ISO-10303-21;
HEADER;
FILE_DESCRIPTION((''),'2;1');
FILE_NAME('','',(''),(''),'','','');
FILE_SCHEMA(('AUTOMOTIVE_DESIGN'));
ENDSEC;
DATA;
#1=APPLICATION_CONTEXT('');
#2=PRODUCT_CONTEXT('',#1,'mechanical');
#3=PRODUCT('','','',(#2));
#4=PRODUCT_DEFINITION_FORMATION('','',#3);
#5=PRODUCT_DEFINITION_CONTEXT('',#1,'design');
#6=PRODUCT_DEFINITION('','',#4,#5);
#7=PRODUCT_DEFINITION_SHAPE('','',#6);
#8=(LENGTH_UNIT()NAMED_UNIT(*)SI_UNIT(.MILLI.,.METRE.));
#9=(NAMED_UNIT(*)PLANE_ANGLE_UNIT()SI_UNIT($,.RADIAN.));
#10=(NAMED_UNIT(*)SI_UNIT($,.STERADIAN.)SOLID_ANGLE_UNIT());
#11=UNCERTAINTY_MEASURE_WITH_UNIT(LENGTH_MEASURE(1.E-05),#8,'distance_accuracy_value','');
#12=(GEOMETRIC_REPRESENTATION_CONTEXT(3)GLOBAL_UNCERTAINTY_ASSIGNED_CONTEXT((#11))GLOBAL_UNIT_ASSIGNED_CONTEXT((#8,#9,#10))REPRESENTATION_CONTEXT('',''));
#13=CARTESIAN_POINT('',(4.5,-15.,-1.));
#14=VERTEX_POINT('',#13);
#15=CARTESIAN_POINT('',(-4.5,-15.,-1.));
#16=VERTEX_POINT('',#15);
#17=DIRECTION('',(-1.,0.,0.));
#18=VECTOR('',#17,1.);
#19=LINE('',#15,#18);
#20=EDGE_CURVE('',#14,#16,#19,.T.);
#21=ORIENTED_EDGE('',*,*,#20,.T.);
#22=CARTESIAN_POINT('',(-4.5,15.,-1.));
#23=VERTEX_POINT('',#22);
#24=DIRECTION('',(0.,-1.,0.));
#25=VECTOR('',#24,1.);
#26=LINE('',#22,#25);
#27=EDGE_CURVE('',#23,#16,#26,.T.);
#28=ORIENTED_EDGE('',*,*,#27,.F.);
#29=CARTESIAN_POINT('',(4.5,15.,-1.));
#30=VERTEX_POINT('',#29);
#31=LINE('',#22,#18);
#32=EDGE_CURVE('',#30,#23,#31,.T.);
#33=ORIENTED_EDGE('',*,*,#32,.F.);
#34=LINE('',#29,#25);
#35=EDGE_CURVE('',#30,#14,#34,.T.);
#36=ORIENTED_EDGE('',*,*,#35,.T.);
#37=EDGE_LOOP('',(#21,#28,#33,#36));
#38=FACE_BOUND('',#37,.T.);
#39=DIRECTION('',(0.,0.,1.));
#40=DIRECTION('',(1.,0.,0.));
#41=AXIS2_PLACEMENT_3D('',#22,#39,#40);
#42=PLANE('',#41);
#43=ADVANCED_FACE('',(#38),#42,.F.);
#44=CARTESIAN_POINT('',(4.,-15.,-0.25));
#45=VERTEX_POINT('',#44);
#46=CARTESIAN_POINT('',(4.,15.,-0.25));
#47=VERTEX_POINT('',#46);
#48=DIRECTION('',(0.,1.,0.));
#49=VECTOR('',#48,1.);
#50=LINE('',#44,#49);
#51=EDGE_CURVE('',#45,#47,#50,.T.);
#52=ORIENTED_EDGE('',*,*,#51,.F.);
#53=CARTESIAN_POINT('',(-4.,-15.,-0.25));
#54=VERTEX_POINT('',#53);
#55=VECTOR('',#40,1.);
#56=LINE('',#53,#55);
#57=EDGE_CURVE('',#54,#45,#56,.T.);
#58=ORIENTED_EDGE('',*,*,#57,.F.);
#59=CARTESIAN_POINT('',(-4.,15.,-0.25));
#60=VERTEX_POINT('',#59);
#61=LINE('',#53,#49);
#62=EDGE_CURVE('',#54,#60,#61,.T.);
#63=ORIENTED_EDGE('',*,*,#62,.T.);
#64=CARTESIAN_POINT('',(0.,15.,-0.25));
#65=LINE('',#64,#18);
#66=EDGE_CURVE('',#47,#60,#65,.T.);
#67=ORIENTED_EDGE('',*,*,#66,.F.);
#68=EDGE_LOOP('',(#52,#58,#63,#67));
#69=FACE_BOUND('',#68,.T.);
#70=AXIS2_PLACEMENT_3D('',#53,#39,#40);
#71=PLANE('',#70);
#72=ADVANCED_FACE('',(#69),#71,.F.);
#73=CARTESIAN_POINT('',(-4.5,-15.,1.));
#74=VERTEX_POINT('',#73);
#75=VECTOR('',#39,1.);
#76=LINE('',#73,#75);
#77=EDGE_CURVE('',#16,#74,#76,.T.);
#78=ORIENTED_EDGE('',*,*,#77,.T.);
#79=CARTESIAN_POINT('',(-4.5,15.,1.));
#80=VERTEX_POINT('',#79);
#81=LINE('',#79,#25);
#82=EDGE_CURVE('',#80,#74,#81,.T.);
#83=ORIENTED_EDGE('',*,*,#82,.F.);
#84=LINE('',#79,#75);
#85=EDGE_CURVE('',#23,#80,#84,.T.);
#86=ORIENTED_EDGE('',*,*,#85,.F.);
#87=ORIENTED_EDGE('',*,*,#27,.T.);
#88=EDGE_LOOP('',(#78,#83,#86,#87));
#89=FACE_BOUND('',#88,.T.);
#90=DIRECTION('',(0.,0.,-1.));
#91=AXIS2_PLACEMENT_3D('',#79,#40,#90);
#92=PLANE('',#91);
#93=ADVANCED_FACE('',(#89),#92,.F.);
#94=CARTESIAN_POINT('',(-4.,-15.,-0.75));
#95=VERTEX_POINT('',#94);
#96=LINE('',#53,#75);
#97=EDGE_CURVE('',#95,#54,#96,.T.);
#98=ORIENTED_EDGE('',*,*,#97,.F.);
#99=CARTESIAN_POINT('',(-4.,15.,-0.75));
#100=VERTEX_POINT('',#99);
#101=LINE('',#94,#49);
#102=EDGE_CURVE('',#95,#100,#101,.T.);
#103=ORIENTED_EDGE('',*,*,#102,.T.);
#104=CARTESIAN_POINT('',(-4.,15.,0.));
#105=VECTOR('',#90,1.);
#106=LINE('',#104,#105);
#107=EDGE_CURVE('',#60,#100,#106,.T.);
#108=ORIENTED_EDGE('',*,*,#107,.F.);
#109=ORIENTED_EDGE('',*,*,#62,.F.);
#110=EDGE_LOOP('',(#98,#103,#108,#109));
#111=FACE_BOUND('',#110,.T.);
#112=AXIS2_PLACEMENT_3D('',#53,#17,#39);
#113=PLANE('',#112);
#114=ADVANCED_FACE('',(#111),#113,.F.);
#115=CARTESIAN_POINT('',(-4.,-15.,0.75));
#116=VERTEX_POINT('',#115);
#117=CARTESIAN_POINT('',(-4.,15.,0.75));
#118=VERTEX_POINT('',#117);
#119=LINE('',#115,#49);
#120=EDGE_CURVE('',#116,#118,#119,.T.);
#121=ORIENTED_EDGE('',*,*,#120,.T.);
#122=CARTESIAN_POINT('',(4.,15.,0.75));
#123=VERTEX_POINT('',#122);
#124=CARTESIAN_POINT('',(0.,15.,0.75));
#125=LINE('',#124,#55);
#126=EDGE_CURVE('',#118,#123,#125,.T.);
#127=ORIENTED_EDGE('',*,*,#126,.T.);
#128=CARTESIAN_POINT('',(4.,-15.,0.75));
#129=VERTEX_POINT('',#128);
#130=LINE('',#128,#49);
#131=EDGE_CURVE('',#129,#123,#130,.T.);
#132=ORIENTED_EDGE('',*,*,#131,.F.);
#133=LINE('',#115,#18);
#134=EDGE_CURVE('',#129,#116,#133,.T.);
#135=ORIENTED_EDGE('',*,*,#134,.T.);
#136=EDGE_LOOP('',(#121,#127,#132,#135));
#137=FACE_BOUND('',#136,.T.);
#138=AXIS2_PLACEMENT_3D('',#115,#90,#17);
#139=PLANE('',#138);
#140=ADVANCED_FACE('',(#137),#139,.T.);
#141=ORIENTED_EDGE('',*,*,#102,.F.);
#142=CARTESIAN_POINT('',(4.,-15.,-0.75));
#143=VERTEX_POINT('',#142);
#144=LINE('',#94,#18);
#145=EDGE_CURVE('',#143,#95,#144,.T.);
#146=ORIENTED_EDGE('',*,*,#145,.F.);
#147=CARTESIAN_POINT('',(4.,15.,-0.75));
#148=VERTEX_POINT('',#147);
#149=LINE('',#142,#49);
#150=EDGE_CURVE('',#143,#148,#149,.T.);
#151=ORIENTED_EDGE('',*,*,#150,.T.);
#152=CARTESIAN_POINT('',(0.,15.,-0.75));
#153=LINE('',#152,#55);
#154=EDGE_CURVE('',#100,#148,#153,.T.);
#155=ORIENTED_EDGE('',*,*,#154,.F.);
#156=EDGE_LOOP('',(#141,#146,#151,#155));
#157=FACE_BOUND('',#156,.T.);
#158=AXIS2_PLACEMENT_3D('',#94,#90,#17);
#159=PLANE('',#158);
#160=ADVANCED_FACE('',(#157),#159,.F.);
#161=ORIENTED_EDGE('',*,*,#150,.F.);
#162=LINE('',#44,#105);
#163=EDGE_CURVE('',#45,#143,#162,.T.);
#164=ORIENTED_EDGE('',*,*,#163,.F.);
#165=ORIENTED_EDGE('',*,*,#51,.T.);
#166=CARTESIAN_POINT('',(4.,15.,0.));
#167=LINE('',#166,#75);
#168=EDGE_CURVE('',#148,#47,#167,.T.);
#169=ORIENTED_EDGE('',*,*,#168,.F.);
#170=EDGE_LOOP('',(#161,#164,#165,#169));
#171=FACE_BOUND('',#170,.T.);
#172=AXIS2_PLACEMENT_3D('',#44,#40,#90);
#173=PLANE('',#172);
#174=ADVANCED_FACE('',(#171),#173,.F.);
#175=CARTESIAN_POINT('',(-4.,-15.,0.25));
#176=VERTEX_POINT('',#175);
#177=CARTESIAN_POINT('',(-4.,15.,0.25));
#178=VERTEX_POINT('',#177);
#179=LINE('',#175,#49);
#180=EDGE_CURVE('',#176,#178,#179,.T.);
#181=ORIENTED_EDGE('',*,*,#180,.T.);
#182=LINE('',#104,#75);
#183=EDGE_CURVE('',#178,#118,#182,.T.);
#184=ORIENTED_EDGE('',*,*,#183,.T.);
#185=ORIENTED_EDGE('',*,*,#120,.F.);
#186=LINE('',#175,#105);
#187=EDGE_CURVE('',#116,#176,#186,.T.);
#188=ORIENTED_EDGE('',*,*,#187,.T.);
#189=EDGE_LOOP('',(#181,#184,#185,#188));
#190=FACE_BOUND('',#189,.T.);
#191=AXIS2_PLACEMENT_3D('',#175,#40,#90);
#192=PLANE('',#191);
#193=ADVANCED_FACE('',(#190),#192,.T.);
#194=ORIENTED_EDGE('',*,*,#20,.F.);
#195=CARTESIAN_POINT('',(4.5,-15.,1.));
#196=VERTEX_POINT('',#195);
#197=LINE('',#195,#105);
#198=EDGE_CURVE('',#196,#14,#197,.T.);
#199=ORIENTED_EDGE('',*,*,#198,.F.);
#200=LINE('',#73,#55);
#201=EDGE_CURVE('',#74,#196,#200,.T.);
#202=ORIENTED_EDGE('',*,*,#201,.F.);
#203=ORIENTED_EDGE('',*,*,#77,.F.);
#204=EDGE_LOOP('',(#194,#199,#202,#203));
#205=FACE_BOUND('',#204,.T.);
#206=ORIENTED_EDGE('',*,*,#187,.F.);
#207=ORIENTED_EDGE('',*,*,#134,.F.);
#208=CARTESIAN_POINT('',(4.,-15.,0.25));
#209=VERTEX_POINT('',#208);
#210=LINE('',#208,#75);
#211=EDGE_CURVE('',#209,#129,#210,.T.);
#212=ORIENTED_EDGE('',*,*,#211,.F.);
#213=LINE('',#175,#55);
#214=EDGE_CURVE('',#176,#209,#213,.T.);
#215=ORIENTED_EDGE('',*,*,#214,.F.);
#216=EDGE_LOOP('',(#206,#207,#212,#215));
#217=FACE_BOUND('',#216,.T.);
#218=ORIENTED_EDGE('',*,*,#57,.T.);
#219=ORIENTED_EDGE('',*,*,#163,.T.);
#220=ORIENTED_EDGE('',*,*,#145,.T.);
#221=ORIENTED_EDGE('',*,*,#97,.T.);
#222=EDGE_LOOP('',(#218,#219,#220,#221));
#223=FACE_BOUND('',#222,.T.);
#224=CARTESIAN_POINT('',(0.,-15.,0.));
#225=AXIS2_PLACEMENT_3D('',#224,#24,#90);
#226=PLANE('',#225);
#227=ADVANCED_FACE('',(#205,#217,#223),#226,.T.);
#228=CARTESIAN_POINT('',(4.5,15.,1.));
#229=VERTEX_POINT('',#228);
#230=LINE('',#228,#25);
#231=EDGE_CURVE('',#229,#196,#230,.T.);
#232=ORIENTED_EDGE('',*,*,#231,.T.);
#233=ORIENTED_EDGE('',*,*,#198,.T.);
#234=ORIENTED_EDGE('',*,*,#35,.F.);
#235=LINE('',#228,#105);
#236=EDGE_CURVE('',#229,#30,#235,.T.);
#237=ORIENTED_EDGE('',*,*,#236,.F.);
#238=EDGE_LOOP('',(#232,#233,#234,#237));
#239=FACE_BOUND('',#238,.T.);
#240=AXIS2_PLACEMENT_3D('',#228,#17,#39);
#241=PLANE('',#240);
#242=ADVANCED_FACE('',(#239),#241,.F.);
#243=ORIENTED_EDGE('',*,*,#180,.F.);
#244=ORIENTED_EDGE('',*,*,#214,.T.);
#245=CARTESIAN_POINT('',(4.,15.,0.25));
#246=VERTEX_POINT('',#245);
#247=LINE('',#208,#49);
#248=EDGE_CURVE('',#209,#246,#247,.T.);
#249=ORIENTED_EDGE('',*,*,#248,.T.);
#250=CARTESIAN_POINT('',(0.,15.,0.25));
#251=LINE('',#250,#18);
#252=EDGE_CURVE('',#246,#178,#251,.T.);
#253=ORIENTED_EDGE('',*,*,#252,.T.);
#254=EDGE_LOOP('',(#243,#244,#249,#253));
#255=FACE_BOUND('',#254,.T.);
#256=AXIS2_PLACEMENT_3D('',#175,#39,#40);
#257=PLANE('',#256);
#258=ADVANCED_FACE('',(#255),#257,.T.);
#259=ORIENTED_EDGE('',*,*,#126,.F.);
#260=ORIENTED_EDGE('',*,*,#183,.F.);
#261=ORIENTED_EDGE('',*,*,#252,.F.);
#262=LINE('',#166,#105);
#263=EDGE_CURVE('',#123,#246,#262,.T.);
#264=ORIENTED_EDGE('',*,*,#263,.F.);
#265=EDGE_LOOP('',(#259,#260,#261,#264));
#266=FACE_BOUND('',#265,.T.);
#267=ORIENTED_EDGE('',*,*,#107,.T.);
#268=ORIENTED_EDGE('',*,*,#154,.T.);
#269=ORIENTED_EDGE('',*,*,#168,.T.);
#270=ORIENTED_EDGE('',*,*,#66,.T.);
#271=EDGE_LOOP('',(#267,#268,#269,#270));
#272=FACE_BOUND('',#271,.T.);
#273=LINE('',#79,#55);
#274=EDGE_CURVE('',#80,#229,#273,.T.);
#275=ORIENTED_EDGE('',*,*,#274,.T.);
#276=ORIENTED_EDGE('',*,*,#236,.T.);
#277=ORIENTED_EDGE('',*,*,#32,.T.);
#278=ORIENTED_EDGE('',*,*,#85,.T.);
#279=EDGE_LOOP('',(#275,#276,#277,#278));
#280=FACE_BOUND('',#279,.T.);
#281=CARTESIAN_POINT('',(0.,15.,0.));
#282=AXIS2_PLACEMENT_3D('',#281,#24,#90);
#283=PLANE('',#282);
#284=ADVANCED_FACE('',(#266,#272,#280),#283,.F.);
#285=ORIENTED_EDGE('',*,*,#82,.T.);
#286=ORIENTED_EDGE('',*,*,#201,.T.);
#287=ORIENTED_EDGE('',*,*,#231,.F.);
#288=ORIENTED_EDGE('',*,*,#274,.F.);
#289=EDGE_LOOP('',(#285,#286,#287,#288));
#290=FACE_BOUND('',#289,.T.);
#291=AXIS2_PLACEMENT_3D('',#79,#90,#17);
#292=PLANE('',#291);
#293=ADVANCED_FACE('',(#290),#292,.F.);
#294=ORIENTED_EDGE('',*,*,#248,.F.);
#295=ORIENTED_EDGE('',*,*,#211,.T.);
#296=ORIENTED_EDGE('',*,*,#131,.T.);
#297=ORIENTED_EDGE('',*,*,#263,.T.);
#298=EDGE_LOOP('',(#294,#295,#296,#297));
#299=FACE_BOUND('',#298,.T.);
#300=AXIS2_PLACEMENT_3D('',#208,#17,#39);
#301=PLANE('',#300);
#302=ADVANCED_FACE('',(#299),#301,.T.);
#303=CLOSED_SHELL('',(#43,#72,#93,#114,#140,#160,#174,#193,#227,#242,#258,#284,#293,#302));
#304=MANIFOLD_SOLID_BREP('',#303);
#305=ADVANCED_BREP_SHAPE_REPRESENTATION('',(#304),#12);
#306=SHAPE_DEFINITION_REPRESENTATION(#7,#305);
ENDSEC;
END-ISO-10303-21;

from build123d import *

# Parameters (mm, degrees)
SKETCH1_W           = 9
SKETCH1_H           = 2
BOSS_EXTRUDE1_DEPTH = 15
CUT_EXTRUDE1_START  = -31
SKETCH2_W           = 8
SKETCH2_H           = 0.5
CUT_EXTRUDE1_DEPTH  = 32


with BuildPart() as part:
    # Sketch1 → Boss-Extrude1 (new body, symmetric)
    with BuildSketch(Plane(origin=(0, 0, 0), x_dir=(1, 0, 0), z_dir=(0, 1, 0))):
        Rectangle(SKETCH1_W, SKETCH1_H)
    extrude(amount=BOSS_EXTRUDE1_DEPTH, both=True)

    # Sketch2 → Cut-Extrude1 (cut)
    with BuildSketch(Plane(origin=(0, 15, 0), x_dir=(1, 0, 0), z_dir=(0, 1, 0)).offset(CUT_EXTRUDE1_START)):
        with Locations((0, 0.5)):
            Rectangle(SKETCH2_W, SKETCH2_H)
    cut_extrude1 = extrude(amount=CUT_EXTRUDE1_DEPTH, mode=Mode.SUBTRACT)

    # Mirror1: Cut-Extrude1 across plane
    add(cut_extrude1.mirror(Plane.XY), mode=Mode.SUBTRACT)


solid = part.part
